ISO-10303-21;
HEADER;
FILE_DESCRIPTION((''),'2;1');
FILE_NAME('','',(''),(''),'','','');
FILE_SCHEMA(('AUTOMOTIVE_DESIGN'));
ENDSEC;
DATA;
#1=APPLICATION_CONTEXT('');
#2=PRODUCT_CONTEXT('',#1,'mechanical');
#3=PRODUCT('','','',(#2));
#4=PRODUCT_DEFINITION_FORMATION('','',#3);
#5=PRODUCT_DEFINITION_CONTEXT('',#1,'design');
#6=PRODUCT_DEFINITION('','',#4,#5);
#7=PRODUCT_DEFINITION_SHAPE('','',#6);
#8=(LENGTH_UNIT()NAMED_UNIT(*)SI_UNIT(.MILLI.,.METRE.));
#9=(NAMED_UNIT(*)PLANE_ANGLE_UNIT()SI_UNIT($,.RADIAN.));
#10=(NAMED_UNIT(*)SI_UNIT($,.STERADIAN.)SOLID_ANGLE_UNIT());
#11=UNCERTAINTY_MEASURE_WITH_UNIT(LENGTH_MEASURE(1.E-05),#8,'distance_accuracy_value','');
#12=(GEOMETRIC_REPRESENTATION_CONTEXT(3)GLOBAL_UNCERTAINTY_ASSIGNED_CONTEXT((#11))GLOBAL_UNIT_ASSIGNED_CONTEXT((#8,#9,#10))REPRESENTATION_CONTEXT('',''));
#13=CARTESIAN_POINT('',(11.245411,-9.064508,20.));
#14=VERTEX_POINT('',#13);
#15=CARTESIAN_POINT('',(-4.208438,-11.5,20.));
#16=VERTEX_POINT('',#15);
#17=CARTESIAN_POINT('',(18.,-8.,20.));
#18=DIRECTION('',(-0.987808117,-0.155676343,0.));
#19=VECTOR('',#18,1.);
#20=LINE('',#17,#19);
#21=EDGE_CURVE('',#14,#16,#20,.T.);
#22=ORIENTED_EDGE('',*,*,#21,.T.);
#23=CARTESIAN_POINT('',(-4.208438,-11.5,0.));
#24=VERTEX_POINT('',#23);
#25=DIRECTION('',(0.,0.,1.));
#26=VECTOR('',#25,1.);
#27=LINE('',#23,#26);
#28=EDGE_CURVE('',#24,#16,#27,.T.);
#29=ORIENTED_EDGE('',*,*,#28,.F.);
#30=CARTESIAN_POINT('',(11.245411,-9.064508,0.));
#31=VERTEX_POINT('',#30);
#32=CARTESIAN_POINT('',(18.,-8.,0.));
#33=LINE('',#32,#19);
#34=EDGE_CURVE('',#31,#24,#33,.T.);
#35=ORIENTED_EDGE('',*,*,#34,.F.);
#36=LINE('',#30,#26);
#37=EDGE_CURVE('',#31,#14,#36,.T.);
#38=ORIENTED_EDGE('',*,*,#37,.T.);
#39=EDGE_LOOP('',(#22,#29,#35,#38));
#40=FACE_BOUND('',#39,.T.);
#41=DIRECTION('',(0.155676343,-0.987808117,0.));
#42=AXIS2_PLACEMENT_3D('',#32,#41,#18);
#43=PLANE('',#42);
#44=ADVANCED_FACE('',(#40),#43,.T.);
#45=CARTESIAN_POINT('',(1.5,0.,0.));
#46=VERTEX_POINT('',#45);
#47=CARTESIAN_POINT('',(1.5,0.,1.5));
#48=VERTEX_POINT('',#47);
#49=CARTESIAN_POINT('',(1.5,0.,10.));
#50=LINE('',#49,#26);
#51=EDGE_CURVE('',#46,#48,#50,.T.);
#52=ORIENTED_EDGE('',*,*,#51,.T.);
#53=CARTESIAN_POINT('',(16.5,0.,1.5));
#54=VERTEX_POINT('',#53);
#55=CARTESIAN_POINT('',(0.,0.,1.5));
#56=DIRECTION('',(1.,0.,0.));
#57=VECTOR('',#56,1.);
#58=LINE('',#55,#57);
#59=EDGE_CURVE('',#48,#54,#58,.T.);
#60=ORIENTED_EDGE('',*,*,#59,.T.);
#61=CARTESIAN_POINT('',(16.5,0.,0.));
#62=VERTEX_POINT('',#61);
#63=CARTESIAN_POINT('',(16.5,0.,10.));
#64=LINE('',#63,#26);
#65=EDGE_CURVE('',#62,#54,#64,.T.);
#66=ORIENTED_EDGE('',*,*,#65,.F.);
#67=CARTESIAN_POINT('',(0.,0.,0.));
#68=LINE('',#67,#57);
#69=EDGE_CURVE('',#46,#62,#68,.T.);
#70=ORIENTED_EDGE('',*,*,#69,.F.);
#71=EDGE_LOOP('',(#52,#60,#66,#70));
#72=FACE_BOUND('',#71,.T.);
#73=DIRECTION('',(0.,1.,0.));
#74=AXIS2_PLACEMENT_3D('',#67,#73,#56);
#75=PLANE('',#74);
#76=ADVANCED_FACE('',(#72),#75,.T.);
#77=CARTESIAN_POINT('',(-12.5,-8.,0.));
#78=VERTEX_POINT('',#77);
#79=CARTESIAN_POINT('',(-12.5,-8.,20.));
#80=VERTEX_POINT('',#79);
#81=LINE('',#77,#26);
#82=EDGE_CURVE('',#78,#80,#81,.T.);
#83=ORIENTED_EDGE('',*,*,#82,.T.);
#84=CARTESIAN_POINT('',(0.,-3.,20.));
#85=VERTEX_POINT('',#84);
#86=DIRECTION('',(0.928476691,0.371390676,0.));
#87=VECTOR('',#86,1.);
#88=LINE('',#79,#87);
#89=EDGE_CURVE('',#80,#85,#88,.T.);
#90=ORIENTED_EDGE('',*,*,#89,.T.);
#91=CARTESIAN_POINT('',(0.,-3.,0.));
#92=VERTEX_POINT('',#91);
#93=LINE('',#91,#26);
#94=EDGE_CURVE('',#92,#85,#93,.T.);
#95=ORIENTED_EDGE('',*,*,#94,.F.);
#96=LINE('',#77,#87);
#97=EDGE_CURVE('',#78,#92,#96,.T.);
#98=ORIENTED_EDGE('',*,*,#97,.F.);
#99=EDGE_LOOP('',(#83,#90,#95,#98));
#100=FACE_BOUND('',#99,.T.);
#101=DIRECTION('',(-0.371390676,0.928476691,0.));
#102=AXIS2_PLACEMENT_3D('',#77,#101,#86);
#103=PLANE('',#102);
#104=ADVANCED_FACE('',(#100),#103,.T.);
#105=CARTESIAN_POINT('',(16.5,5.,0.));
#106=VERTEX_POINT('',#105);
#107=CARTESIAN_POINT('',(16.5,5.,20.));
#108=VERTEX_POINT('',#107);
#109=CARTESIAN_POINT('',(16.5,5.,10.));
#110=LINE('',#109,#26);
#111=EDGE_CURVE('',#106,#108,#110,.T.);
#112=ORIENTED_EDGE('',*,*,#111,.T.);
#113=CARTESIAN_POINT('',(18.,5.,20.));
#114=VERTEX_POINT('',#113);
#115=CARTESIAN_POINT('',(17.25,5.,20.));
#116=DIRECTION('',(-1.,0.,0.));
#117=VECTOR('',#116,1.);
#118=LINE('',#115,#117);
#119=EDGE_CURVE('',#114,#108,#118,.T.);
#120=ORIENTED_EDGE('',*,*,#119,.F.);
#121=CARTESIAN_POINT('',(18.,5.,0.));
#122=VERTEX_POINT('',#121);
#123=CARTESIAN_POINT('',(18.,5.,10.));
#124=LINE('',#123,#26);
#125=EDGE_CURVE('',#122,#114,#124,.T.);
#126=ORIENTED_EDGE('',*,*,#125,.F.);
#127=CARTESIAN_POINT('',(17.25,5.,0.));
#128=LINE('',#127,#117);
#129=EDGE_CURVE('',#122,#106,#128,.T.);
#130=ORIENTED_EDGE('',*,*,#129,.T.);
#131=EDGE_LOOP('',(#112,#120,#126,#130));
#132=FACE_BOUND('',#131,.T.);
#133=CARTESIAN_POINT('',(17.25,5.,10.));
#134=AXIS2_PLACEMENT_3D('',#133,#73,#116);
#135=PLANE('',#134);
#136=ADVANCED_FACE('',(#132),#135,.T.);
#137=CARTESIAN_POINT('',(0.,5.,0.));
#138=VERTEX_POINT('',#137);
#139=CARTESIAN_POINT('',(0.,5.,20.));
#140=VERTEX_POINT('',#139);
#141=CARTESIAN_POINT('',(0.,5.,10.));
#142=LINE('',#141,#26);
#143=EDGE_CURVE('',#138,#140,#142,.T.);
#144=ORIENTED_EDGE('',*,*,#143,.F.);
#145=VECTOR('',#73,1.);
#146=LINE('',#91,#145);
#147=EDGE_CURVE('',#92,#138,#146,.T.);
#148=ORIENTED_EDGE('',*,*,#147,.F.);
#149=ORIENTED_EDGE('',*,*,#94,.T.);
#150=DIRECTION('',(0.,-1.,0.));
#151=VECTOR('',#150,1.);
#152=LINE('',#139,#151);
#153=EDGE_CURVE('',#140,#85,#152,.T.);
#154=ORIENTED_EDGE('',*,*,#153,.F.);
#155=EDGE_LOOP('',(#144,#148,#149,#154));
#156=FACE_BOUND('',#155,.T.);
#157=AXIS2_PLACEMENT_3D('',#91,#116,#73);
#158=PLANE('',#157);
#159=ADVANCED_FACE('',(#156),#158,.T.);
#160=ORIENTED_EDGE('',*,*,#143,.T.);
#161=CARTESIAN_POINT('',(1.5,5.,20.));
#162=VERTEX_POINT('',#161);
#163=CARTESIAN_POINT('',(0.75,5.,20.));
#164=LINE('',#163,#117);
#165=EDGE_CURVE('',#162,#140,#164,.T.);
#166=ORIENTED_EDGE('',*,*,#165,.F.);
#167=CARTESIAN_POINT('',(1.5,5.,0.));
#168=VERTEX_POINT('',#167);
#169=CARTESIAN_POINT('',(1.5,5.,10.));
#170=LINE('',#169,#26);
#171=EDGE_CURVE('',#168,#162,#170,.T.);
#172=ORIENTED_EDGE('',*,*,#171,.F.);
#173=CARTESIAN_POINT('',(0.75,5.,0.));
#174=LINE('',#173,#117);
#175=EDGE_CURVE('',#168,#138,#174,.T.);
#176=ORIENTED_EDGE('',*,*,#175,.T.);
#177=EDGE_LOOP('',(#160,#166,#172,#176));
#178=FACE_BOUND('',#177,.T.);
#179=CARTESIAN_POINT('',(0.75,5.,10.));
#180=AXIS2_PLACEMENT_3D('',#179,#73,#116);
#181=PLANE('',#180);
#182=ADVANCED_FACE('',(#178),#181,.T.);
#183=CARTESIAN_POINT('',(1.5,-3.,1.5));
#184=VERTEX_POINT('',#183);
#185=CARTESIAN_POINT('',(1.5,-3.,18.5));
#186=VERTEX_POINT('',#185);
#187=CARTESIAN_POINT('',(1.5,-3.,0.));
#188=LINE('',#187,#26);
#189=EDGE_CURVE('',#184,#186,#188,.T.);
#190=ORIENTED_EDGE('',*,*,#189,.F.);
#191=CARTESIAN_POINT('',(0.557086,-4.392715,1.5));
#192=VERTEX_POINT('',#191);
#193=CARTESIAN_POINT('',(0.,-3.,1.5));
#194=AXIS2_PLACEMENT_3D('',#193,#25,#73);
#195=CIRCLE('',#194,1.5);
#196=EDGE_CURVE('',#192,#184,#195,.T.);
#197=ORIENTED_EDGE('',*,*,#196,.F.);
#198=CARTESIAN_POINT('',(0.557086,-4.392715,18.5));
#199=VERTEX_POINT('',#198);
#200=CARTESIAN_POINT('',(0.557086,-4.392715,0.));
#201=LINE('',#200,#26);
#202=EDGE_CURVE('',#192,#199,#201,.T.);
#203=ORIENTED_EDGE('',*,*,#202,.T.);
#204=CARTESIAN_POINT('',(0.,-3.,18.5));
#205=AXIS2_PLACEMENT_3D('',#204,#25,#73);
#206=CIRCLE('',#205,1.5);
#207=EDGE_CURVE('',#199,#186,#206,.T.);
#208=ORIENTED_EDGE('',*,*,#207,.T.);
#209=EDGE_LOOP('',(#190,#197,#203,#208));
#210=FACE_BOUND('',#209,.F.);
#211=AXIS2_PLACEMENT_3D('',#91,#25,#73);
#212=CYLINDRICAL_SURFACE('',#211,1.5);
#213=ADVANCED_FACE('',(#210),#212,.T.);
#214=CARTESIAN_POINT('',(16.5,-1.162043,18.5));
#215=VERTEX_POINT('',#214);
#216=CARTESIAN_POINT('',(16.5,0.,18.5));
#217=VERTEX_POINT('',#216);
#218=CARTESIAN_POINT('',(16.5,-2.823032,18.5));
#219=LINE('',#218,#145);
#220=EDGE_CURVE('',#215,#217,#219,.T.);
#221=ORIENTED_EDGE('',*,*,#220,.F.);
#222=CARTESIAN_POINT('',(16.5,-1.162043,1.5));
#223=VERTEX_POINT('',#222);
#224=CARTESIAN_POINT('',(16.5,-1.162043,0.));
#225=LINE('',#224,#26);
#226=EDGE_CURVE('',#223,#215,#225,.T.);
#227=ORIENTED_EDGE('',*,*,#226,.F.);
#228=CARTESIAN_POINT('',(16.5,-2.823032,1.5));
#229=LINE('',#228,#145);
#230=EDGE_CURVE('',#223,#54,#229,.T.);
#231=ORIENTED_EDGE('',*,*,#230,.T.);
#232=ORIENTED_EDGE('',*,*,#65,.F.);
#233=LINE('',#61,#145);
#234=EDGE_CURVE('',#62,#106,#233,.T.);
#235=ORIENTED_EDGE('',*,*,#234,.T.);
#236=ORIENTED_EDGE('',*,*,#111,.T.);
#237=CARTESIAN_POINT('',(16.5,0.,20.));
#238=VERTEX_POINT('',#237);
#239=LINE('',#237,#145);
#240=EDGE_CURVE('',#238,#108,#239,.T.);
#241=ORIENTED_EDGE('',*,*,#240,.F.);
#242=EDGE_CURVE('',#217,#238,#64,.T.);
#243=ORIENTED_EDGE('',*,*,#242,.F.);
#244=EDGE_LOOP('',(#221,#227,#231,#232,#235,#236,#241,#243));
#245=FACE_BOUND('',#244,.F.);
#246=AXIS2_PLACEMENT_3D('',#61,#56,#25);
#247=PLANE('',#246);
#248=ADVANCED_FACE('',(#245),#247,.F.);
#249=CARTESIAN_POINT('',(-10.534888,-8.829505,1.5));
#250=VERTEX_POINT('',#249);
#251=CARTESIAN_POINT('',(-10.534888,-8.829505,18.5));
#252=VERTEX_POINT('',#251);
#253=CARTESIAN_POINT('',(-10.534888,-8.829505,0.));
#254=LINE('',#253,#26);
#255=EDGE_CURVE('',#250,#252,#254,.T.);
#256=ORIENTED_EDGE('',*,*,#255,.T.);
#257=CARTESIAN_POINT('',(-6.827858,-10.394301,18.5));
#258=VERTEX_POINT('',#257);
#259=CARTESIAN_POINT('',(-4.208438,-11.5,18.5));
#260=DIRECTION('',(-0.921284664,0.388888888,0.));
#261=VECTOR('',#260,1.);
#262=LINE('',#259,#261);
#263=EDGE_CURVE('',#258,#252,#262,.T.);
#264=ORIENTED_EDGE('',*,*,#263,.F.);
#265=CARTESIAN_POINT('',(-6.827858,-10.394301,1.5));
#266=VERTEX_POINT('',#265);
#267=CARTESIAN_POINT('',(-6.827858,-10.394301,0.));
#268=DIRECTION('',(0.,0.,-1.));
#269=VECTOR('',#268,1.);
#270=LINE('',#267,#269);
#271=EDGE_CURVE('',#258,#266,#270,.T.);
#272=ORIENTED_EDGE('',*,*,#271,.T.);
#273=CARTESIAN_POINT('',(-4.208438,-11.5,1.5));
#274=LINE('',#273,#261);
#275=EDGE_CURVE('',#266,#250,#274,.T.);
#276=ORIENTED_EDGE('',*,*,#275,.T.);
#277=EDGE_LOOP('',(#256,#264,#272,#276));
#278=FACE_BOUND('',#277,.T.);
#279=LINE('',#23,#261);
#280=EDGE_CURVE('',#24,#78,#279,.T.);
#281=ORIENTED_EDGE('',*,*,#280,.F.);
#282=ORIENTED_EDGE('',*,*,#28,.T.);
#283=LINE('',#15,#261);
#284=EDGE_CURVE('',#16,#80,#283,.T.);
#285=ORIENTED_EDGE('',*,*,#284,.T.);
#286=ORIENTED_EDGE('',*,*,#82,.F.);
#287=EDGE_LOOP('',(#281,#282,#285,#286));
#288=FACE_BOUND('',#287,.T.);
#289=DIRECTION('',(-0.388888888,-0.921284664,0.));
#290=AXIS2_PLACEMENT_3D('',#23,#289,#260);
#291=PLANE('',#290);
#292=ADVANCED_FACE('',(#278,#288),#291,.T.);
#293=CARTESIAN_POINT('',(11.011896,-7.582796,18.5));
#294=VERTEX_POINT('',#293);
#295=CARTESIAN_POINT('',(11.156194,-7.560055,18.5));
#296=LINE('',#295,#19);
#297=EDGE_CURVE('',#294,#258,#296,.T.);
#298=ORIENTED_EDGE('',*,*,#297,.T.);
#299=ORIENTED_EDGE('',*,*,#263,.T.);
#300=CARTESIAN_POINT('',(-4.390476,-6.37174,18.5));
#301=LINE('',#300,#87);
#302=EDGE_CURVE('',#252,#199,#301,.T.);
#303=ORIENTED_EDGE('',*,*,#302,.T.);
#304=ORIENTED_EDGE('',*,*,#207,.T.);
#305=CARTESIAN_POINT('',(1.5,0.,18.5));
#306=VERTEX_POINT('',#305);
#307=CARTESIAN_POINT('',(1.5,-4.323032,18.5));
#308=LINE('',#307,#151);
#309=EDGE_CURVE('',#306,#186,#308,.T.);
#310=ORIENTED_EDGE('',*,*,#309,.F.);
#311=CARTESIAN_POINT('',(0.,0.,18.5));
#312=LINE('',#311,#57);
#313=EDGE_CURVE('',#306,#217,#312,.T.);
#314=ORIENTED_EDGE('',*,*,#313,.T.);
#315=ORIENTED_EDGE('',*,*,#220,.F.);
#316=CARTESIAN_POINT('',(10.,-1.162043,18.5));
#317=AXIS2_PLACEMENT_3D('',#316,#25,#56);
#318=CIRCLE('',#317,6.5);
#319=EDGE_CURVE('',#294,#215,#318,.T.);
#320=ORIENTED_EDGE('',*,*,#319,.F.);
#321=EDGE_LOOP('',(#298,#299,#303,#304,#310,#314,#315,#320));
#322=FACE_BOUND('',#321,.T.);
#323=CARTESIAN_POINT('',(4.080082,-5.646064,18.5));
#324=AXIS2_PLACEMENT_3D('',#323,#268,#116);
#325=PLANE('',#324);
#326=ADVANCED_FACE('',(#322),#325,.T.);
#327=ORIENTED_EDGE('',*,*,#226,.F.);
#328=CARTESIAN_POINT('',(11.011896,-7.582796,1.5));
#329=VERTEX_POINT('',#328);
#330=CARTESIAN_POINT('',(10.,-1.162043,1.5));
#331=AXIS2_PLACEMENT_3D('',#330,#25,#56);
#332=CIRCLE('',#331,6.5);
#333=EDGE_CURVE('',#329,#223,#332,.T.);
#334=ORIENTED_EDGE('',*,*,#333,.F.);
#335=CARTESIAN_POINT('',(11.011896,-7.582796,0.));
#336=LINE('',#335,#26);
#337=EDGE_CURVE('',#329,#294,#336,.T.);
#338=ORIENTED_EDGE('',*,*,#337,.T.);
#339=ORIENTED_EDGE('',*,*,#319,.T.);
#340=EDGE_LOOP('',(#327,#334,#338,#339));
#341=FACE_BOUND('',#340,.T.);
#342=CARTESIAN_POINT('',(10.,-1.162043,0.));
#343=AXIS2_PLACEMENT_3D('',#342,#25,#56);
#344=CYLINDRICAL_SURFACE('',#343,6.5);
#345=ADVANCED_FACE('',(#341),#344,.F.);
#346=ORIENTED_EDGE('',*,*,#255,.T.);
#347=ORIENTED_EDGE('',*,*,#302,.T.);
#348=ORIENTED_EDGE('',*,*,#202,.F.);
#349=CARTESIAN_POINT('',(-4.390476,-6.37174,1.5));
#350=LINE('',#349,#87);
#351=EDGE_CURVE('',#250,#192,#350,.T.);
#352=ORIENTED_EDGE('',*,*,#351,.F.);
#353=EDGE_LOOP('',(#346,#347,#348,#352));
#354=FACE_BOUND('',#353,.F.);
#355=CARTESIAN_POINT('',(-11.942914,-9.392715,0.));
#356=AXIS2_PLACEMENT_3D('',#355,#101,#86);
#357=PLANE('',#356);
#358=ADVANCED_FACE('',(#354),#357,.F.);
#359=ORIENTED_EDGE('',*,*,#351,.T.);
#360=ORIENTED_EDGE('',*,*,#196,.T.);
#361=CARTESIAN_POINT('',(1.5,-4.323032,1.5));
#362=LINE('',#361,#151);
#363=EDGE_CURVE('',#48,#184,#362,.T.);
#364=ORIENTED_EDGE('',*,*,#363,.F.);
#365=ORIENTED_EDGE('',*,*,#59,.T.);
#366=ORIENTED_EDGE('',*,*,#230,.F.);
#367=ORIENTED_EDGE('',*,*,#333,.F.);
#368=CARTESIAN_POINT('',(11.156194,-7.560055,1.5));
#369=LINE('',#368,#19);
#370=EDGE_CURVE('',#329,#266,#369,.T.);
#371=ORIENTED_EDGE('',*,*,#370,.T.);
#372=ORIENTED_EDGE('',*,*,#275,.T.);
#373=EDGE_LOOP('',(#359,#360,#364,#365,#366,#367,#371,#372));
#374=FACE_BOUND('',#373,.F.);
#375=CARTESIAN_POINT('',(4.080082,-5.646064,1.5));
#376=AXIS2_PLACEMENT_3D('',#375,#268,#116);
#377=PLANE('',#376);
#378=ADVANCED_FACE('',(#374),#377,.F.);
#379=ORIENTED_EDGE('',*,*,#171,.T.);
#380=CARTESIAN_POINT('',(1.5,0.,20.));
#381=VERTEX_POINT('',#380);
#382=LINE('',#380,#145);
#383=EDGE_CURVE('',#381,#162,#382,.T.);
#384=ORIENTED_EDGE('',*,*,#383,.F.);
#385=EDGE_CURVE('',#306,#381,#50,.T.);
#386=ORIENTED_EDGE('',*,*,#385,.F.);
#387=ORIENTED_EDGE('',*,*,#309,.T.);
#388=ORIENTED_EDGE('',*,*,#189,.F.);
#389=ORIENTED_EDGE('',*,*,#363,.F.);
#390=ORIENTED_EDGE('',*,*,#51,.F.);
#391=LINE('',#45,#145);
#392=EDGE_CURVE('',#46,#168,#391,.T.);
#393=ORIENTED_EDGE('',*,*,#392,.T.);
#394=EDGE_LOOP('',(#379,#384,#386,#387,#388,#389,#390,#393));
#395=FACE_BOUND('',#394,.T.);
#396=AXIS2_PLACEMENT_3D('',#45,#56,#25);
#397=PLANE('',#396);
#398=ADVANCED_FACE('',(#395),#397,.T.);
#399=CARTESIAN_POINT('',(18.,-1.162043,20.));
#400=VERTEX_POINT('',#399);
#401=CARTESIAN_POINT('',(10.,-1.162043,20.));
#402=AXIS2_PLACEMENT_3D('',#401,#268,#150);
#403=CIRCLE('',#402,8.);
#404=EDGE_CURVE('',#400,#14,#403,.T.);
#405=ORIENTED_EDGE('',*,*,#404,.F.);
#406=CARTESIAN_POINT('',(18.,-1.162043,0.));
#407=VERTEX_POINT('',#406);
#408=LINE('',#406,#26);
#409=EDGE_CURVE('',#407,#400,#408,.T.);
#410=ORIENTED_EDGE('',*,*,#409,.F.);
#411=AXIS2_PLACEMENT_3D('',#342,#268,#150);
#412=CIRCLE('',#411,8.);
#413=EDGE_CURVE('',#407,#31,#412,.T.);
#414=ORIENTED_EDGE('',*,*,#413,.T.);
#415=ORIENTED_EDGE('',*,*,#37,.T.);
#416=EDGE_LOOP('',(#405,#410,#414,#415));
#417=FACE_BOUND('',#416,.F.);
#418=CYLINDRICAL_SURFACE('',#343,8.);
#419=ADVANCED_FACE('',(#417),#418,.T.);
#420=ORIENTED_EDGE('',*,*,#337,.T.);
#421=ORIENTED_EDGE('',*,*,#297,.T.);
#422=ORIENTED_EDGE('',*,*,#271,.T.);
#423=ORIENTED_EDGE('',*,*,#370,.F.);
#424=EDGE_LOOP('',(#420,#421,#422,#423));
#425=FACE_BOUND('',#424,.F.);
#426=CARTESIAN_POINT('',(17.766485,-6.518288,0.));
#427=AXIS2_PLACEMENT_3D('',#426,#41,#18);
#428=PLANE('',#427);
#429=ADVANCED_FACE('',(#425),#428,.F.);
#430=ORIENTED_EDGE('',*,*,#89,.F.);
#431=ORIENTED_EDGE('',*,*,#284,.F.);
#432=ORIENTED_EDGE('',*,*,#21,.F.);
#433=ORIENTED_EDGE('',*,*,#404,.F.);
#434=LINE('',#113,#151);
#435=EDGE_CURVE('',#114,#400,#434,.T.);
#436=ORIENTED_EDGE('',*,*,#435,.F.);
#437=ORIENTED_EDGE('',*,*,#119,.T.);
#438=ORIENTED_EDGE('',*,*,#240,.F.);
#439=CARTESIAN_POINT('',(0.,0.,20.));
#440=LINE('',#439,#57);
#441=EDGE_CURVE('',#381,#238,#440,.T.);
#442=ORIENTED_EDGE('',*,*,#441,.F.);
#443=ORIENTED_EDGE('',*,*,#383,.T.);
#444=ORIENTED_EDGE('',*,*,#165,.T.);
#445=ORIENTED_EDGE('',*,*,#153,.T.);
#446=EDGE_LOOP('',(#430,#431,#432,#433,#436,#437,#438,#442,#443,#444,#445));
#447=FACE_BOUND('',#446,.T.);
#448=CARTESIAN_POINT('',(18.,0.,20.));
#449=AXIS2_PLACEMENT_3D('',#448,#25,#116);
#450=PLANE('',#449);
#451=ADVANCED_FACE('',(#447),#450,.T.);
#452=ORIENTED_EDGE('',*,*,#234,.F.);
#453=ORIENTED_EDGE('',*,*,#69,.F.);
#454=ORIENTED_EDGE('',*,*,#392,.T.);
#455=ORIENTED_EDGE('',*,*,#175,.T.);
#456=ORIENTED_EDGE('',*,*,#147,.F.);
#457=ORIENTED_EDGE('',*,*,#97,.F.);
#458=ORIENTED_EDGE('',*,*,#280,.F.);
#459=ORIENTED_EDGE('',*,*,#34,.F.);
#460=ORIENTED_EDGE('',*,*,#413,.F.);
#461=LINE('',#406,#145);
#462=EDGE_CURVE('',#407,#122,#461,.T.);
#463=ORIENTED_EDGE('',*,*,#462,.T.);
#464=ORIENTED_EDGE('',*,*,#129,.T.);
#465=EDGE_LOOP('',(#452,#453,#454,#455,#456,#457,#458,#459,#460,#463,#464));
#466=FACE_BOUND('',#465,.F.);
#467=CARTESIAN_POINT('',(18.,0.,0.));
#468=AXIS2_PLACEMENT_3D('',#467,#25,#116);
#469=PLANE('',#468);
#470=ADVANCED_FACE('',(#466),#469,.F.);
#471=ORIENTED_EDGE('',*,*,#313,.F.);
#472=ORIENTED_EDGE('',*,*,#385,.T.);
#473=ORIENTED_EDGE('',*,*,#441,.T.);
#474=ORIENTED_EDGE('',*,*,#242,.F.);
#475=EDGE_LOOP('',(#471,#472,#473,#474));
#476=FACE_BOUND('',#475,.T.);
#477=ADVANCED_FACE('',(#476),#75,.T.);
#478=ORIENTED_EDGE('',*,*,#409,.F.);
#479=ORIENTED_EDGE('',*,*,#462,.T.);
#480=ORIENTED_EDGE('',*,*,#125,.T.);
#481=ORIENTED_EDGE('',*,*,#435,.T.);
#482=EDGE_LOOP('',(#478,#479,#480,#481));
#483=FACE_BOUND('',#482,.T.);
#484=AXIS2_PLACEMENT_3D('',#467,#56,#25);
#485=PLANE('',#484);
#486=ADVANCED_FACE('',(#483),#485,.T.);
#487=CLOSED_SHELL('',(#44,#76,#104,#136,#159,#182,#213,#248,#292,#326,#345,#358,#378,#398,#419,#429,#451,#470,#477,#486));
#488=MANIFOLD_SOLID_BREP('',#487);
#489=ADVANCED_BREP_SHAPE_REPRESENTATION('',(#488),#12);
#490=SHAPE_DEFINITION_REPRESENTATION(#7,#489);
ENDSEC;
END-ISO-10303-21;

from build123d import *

# Parameters (mm, degrees)
PAD_DEPTH    = 20
FILLET_R     = 8
THICKNESS_T  = -1.5
SKETCH001_W  = 1.5
SKETCH001_H  = 20
PAD001_DEPTH = 5


with BuildPart() as part:
    # Sketch → Pad (new body)
    with BuildSketch(Plane.XY):
        Polygon((0, 0), (18, 0), (18, -8), (-4.208438, -11.5), (-12.5, -8), (0, -3), align=None)
    extrude(amount=PAD_DEPTH)

    # Fillet
    fillet_edges = [part.edges().sort_by_distance(p)[0] for p in [
        (18, -8, 10),
    ]]
    fillet(fillet_edges, radius=FILLET_R)

    # Thickness
    thickness_openings = [part.faces().sort_by_distance(p)[0] for p in [
        (9, 0, 10),
        (-8.354219, -9.75, 10),
    ]]
    offset(amount=THICKNESS_T, openings=thickness_openings)

    # Sketch001 → Pad001 (new body)
    with BuildSketch(Plane(origin=(0, 0, 0), x_dir=(-1, 0, 0), z_dir=(0, 1, 0))):
        with Locations((-17.25, 10)):
            Rectangle(SKETCH001_W, SKETCH001_H)
        with Locations((-0.75, 10)):
            Rectangle(SKETCH001_W, SKETCH001_H)
    extrude(amount=PAD001_DEPTH)


solid = part.part
